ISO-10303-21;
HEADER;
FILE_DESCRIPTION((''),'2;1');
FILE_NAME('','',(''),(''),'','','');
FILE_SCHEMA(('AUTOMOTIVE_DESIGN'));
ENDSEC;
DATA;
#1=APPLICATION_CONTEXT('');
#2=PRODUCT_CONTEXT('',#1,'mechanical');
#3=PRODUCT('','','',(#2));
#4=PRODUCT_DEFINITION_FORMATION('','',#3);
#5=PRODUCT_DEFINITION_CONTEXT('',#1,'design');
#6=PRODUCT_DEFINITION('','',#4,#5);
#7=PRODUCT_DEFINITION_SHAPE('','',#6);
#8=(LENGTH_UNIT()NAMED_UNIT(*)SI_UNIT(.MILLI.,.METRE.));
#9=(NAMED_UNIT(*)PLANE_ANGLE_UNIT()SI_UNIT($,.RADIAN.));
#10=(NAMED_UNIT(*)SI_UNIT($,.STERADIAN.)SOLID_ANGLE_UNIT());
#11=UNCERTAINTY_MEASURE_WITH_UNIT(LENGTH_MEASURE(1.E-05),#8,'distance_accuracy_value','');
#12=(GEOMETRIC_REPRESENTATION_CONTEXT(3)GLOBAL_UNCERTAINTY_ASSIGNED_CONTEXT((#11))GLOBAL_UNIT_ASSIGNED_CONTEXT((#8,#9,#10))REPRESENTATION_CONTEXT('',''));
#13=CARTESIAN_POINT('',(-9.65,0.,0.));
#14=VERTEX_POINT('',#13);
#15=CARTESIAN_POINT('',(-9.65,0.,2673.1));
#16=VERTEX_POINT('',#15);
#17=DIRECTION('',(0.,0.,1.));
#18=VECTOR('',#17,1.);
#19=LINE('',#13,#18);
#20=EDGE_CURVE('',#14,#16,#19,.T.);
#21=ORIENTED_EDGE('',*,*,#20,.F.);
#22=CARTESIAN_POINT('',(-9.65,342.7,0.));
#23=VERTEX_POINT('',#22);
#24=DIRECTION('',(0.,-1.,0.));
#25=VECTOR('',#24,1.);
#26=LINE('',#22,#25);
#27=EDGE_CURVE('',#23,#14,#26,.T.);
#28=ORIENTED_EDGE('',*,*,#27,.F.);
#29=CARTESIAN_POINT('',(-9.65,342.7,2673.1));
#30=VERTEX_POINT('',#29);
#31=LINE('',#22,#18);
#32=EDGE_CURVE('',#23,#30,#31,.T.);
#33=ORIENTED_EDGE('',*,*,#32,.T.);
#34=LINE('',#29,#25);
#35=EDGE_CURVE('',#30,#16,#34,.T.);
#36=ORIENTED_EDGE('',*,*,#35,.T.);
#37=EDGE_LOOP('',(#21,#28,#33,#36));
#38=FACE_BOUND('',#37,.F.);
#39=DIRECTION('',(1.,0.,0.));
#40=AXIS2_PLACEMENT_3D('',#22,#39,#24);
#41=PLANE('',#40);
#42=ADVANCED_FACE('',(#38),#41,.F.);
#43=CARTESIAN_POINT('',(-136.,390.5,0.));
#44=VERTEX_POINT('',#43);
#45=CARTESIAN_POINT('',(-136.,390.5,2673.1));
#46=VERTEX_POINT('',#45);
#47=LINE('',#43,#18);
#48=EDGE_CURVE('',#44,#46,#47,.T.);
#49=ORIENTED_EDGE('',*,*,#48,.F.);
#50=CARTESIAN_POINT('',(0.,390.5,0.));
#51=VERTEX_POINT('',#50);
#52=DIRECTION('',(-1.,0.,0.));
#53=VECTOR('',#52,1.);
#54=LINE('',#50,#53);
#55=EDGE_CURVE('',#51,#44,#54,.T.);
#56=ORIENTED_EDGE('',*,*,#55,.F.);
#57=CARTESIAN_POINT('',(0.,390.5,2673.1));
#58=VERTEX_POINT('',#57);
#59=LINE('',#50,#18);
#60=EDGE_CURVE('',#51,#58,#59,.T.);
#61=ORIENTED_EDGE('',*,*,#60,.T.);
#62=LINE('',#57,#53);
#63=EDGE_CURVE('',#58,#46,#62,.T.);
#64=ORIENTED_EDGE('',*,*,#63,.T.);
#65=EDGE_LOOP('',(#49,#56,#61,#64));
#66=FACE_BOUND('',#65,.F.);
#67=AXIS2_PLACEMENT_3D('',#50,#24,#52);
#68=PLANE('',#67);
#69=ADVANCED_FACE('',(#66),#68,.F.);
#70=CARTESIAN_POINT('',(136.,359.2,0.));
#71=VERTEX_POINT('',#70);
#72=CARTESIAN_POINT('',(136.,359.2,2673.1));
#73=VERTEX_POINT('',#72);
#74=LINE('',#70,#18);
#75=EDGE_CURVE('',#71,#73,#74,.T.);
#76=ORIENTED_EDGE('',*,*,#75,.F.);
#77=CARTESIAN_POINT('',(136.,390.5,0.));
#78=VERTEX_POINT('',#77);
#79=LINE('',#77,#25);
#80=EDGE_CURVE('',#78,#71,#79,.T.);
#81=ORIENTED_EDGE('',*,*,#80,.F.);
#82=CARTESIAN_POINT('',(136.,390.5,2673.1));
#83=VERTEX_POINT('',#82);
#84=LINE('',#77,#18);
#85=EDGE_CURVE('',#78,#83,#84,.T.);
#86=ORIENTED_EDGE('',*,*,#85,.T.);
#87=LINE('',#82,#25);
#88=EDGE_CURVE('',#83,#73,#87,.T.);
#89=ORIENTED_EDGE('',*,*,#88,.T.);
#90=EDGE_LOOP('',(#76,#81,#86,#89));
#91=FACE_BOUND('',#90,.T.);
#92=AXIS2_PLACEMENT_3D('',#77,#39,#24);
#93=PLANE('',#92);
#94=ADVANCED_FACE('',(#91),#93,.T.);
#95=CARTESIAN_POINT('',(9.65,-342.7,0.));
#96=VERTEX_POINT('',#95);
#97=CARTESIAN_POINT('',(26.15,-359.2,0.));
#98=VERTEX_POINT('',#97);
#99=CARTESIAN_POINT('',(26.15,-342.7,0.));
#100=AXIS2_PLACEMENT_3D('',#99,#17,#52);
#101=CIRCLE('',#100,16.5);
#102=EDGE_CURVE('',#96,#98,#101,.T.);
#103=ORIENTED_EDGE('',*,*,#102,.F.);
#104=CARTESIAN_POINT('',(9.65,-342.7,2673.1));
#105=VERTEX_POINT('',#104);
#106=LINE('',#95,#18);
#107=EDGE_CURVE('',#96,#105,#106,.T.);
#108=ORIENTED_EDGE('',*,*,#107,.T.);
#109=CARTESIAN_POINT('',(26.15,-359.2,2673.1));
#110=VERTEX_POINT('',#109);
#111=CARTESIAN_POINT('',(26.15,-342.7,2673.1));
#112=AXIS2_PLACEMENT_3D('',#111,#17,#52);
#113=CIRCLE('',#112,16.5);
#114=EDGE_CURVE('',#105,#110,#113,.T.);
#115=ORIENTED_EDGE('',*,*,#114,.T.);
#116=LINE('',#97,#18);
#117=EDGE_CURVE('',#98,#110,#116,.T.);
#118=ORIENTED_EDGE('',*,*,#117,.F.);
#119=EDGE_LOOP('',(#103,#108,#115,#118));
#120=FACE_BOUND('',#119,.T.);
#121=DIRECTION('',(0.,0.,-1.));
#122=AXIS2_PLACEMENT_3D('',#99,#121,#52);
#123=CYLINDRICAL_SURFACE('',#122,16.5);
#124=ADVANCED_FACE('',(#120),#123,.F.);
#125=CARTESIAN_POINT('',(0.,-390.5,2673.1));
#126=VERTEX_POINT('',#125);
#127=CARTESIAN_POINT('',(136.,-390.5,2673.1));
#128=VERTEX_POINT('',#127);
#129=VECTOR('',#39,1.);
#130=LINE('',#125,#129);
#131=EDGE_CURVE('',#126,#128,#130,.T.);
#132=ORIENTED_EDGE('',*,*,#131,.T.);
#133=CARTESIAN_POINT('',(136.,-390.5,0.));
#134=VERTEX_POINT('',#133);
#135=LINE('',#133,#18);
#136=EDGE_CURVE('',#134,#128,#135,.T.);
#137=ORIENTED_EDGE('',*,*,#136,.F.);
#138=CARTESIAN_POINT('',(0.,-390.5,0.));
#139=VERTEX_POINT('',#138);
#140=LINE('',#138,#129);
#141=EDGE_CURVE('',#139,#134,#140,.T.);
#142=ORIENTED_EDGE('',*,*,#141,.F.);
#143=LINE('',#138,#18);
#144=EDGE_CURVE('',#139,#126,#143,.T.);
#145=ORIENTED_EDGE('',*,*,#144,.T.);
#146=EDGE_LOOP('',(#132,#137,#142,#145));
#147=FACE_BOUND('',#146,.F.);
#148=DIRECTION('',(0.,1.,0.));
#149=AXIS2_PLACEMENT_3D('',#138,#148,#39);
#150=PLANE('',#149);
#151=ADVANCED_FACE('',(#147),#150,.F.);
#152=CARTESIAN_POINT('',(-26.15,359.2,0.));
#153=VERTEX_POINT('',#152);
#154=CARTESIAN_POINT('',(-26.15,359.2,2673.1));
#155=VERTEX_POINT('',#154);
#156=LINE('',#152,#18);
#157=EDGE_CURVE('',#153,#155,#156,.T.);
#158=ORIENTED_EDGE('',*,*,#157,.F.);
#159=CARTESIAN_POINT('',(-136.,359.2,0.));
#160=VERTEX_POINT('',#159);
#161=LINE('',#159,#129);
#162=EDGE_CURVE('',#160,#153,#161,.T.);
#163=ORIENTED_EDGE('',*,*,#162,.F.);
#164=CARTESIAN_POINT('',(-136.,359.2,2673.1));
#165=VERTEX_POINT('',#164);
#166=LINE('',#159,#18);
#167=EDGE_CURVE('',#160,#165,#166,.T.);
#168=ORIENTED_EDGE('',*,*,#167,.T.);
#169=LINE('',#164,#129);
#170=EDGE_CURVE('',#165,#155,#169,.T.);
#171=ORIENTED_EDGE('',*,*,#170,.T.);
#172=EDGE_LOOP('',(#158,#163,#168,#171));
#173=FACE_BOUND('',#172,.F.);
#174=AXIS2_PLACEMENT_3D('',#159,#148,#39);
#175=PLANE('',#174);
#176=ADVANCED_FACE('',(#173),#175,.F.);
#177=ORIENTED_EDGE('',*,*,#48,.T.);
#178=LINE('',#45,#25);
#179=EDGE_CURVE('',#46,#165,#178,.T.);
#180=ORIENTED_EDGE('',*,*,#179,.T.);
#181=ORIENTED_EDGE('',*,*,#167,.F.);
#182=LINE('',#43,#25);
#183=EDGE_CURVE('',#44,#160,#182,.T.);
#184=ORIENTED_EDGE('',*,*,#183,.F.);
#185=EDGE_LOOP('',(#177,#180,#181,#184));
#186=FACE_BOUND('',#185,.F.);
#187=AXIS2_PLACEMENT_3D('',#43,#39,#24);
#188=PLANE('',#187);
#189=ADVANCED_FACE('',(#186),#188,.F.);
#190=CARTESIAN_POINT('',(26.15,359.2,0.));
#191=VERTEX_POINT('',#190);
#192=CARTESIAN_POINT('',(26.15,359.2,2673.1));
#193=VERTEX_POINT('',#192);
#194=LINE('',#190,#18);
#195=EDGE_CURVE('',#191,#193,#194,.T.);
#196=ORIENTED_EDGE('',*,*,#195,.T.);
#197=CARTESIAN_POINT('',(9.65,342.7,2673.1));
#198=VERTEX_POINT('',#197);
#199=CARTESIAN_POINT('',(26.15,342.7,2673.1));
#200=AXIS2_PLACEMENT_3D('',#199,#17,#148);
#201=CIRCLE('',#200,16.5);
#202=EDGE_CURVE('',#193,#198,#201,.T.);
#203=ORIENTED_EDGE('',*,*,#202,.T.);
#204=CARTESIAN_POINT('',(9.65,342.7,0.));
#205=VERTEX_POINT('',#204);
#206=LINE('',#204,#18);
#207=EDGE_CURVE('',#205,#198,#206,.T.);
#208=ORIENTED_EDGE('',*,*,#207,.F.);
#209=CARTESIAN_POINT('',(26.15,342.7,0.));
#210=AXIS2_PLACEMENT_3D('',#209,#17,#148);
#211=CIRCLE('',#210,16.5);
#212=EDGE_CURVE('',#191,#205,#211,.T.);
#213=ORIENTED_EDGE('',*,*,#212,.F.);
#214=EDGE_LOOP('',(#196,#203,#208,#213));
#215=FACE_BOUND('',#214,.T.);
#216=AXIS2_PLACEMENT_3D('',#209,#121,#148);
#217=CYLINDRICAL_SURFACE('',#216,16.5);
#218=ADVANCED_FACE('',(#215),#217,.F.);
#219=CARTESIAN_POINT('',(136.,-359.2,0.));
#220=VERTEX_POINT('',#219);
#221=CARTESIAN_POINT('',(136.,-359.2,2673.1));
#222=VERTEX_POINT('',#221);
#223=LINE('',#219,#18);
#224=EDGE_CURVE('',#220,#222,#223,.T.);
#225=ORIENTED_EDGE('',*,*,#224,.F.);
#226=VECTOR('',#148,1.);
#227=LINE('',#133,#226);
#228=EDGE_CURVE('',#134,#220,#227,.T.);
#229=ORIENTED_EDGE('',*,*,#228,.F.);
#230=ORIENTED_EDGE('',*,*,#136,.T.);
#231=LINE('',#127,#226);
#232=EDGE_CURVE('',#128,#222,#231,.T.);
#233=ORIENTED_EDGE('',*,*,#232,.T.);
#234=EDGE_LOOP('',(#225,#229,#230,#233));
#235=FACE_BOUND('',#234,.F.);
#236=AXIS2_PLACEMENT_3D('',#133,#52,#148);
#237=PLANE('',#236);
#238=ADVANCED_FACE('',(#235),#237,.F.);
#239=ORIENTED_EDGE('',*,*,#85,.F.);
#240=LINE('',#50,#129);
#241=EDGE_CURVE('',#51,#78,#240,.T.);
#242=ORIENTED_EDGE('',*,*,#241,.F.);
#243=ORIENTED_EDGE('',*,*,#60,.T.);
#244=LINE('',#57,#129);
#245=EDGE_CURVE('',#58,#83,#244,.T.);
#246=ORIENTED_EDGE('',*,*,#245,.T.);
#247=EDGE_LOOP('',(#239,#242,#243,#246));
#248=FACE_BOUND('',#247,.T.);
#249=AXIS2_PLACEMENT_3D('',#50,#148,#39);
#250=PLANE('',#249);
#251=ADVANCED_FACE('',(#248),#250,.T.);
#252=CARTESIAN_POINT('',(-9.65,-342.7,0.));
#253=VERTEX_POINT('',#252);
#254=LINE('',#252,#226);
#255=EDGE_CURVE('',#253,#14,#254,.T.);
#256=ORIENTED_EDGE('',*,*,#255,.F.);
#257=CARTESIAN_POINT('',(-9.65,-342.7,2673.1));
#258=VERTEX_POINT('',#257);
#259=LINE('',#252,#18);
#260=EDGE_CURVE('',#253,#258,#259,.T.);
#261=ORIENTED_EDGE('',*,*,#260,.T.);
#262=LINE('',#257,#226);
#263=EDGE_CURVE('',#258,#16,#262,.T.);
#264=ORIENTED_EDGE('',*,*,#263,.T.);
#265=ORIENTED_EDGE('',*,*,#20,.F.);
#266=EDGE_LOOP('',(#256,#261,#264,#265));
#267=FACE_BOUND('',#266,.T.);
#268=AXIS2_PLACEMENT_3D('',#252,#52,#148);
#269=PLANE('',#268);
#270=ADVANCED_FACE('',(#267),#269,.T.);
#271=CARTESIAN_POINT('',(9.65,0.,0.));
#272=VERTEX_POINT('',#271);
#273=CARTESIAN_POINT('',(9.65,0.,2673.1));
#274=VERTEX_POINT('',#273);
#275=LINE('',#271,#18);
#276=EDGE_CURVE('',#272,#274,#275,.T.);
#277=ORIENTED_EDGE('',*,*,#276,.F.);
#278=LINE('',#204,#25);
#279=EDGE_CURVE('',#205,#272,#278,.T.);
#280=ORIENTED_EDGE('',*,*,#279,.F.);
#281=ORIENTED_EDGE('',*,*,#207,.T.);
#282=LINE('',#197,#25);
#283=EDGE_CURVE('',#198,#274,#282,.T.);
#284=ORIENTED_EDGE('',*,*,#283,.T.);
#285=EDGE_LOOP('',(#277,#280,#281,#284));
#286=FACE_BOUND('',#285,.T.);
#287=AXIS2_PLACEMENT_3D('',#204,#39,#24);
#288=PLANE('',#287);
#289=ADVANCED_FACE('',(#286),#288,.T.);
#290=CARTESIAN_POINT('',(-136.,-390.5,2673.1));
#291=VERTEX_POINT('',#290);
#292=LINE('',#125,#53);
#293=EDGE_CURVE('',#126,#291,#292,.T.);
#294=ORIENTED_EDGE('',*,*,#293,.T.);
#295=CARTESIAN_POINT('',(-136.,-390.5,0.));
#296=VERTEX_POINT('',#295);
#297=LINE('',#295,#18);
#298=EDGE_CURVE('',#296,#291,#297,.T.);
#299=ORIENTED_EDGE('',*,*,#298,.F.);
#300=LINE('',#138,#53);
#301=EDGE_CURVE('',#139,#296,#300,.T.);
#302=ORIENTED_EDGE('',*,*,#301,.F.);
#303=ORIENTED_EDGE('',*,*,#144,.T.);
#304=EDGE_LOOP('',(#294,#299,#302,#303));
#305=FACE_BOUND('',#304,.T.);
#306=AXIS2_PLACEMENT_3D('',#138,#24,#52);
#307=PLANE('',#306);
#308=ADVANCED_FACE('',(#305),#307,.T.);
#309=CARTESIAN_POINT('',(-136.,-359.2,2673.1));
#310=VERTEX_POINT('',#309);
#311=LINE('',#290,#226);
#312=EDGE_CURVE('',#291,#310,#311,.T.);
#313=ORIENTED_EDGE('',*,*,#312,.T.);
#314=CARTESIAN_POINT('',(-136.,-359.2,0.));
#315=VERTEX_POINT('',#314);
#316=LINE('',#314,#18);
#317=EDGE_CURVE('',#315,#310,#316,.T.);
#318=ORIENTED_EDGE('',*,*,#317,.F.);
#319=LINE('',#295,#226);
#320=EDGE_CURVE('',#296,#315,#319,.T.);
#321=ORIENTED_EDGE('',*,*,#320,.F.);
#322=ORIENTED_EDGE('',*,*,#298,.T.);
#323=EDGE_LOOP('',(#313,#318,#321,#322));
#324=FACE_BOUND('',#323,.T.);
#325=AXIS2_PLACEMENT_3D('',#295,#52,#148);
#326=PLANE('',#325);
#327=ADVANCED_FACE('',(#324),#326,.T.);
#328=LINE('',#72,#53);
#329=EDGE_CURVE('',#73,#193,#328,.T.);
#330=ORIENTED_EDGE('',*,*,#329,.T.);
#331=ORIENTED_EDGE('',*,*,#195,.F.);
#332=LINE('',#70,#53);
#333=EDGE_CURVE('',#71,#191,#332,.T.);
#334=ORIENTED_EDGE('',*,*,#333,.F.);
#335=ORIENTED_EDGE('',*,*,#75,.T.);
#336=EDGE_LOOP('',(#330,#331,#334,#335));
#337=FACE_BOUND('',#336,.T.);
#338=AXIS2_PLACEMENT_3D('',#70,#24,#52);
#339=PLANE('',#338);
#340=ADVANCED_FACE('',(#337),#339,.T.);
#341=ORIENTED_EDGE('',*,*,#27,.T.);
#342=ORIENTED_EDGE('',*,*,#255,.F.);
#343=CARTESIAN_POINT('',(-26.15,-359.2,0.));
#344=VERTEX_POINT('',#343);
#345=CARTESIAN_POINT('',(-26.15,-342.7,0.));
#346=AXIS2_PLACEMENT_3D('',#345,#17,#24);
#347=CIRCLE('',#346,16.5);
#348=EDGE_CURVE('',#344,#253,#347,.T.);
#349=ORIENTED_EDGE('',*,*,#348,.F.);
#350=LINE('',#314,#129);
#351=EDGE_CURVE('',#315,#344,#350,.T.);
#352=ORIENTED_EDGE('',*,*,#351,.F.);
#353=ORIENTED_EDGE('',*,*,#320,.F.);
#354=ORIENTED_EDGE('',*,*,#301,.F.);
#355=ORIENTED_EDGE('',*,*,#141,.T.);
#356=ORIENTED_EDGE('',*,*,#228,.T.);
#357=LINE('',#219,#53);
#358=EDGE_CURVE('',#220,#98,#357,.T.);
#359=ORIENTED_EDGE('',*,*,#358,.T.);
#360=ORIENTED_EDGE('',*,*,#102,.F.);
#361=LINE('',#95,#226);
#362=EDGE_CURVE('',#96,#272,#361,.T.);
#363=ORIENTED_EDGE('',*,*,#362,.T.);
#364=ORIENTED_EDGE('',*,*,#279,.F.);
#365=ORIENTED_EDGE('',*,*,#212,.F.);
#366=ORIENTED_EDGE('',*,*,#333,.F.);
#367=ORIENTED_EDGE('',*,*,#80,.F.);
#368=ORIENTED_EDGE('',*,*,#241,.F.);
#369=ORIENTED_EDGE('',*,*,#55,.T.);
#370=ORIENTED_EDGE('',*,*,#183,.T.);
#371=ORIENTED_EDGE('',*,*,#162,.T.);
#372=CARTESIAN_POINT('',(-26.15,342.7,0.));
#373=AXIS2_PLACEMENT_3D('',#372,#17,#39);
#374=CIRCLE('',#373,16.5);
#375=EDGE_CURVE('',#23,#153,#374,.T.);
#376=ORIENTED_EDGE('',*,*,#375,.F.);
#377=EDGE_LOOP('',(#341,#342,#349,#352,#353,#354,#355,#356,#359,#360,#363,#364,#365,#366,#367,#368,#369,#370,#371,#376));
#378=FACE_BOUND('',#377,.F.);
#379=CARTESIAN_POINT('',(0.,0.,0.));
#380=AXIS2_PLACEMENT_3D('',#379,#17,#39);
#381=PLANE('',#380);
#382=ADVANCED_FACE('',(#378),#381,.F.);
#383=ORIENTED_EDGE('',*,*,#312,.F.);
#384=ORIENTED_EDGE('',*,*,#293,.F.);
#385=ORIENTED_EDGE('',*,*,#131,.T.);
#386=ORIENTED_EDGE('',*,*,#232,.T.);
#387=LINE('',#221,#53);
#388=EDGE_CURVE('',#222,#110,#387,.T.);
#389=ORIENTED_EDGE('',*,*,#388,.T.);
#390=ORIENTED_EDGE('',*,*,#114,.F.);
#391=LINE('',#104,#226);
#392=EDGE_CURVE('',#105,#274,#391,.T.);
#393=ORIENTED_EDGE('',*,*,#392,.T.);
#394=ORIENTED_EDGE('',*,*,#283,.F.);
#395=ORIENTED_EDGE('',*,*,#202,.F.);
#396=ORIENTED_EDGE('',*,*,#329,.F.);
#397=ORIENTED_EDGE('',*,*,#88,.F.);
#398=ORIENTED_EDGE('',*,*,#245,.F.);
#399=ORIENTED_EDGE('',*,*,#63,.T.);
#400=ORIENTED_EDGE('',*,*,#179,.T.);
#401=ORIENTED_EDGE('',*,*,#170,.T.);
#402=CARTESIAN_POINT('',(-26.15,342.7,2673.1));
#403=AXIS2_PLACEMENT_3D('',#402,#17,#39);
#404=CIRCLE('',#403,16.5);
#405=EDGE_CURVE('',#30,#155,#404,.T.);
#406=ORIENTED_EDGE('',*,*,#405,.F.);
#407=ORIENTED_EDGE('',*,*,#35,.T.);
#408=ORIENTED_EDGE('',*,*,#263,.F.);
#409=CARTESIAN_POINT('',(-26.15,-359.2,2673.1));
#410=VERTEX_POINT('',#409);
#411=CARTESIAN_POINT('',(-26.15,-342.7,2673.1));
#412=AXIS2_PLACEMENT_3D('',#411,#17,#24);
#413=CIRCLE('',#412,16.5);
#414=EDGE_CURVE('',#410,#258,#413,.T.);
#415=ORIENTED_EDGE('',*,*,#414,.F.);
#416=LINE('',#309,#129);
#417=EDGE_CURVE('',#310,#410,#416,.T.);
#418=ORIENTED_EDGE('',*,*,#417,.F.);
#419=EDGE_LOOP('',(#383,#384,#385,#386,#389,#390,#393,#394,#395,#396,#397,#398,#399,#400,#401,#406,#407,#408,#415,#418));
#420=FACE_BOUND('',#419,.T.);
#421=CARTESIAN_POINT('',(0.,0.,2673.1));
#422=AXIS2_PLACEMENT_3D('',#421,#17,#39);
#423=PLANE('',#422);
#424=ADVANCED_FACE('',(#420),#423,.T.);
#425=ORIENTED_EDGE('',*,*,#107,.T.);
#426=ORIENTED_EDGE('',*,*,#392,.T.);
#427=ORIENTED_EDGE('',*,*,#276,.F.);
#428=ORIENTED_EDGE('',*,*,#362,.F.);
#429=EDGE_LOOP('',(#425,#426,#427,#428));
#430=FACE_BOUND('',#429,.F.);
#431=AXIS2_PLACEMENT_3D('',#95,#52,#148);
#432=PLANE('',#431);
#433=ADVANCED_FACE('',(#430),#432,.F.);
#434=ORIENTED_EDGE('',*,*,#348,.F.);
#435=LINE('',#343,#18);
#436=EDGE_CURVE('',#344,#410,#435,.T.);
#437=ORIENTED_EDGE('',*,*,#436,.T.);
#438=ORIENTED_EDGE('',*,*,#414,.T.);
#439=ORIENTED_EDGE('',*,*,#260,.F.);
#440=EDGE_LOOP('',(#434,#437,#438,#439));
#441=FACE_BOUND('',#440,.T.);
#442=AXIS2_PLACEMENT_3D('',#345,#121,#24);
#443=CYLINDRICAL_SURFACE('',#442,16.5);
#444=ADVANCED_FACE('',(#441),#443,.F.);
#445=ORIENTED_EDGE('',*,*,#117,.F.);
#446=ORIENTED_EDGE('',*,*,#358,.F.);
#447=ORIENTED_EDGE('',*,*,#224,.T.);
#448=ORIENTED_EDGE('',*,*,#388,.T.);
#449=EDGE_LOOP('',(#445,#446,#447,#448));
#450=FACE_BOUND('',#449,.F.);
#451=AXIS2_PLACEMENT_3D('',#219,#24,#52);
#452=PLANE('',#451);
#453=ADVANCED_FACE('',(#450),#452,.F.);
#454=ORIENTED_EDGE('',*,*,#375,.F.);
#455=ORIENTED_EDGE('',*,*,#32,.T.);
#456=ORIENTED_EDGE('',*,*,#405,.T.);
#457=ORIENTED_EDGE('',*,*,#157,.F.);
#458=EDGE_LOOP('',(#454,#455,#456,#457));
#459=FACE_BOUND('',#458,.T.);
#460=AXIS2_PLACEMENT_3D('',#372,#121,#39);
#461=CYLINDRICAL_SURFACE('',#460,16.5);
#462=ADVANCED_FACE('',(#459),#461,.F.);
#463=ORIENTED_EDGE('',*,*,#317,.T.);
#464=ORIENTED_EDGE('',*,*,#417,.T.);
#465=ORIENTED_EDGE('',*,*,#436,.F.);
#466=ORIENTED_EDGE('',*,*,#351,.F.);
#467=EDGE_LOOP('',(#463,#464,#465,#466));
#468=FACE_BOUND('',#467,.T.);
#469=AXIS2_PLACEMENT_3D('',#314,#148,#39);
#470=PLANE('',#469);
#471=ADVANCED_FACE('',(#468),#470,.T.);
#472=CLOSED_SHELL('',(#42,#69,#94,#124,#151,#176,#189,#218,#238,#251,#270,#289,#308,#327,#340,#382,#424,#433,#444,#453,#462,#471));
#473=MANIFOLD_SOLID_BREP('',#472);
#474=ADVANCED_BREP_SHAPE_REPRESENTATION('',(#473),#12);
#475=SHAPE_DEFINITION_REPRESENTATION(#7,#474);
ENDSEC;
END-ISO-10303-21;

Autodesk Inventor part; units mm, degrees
ref_plane "YZ Plane" through (0, 0, 0) normal (1, 0, 0) x (0, 1, 0)
ref_plane "Start plane" through (0, 0, 0) normal (0, 0, 1) x (1, 0, 0)
ref_plane "End plane" through (0, 0, 2673.1) normal (0, 0, 1) x (1, 0, 0)
sketch "Sketch" plane through (0, 0, 0) normal (0, 0, 1) x (1, 0, 0)
  line L0 (-136, -390.5) -> (-136, -359.2)
  line L1 (-136, -359.2) -> (-26.15, -359.2)
  line L2 (-9.65, -342.7) -> (-9.65, 0)
  line L3 (-9.65, 0) -> (0, 0) construction
  line L4 (0, 0) -> (0, -390.5) construction
  line L5 (0, -390.5) -> (-136, -390.5)
  line L6 (-60, 0) -> (80, 0) construction
  line L7 (0, -60) -> (0, 80) construction
  line L8 (136, -390.5) -> (136, -359.2)
  line L9 (136, -359.2) -> (26.15, -359.2)
  line L10 (9.65, -342.7) -> (9.65, 0)
  line L11 (9.65, 0) -> (0, 0) construction
  line L12 (0, -390.5) -> (136, -390.5)
  line L13 (-136, 390.5) -> (-136, 359.2)
  line L14 (-136, 359.2) -> (-26.15, 359.2)
  line L15 (-9.65, 342.7) -> (-9.65, 0)
  line L16 (0, 390.5) -> (-136, 390.5)
  line L17 (136, 390.5) -> (136, 359.2)
  line L18 (136, 359.2) -> (26.15, 359.2)
  line L19 (0, 390.5) -> (136, 390.5)
  line L20 (9.65, 342.7) -> (9.65, 0)
  arc A0 (-9.65, 342.7) -> (-26.15, 359.2) centre (-26.15, 342.7) ccw
  arc A1 (26.15, 359.2) -> (9.65, 342.7) centre (26.15, 342.7) ccw
  arc A2 (9.65, -342.7) -> (26.15, -359.2) centre (26.15, -342.7) ccw
  arc A3 (-26.15, -359.2) -> (-9.65, -342.7) centre (-26.15, -342.7) ccw
  line L21 (0, 108) -> (0, -88) construction
  line L22 (-88, 0) -> (108, 0) construction
  point P0 (-9.65, -359.2)
  point P1 (9.65, -359.2)
  point P2 (-9.65, 359.2)
  point P3 (9.65, 359.2)
  dimension "d1" = 390.5
  dimension "d2" = 31.3
  dimension "d3" = 136
  dimension "d4" = 9.65
  dimension "d10" = 16.5
extrude "Body" add sketch "Sketch" along normal up to surface (2673.1 mm away) from surface at 0
sketch "Sketch4" plane through (0, 0, 0) normal (0, 0, 1) x (1, 0, 0)
  line L0 (0, 0) -> (10, 0)
ref_plane "Work Plane3" through (0, 0, 0) normal (0, -1, 0) x (1, 0, 0)
sketch "Sketch5" plane through (0, 0, 0) normal (0, -1, 0) x (1, 0, 0)
  line L0 (-2, 0) -> (12, 0) projected
  line L1 (-2, 2673.1) -> (12, 2673.1) projected
  dimension "d14" = 2673.1
equation "\"d1\" = 0.5 * G_H"
equation "\"d2\" = G_T1"
equation "\"d3\" = 0.5 * G_W"
equation "\"d4\" = 0.5 * G_T"
equation "\"d10\" = G_IR"
equation "\"d5\" = G_L"
equation "\"G_W\" = 272"
equation "\"G_H\" = 781"
equation "\"G_T\" = 19.3"
equation "\"G_T1\" = 31.3"
equation "\"G_IR\" = 16.5"
equation "\"G_L\" = d14"
equation "\"G_OFFSET_START\" = 0"
equation "\"G_OFFSET_END\" = 0"
equation "\"d12\" = G_OFFSET_END + B_L"
equation "\"B_L\" = 2673.1"
properties part number "AS 3679-1990 - 760 UB - 244 - 2673.1" material "Steel, Mild"
